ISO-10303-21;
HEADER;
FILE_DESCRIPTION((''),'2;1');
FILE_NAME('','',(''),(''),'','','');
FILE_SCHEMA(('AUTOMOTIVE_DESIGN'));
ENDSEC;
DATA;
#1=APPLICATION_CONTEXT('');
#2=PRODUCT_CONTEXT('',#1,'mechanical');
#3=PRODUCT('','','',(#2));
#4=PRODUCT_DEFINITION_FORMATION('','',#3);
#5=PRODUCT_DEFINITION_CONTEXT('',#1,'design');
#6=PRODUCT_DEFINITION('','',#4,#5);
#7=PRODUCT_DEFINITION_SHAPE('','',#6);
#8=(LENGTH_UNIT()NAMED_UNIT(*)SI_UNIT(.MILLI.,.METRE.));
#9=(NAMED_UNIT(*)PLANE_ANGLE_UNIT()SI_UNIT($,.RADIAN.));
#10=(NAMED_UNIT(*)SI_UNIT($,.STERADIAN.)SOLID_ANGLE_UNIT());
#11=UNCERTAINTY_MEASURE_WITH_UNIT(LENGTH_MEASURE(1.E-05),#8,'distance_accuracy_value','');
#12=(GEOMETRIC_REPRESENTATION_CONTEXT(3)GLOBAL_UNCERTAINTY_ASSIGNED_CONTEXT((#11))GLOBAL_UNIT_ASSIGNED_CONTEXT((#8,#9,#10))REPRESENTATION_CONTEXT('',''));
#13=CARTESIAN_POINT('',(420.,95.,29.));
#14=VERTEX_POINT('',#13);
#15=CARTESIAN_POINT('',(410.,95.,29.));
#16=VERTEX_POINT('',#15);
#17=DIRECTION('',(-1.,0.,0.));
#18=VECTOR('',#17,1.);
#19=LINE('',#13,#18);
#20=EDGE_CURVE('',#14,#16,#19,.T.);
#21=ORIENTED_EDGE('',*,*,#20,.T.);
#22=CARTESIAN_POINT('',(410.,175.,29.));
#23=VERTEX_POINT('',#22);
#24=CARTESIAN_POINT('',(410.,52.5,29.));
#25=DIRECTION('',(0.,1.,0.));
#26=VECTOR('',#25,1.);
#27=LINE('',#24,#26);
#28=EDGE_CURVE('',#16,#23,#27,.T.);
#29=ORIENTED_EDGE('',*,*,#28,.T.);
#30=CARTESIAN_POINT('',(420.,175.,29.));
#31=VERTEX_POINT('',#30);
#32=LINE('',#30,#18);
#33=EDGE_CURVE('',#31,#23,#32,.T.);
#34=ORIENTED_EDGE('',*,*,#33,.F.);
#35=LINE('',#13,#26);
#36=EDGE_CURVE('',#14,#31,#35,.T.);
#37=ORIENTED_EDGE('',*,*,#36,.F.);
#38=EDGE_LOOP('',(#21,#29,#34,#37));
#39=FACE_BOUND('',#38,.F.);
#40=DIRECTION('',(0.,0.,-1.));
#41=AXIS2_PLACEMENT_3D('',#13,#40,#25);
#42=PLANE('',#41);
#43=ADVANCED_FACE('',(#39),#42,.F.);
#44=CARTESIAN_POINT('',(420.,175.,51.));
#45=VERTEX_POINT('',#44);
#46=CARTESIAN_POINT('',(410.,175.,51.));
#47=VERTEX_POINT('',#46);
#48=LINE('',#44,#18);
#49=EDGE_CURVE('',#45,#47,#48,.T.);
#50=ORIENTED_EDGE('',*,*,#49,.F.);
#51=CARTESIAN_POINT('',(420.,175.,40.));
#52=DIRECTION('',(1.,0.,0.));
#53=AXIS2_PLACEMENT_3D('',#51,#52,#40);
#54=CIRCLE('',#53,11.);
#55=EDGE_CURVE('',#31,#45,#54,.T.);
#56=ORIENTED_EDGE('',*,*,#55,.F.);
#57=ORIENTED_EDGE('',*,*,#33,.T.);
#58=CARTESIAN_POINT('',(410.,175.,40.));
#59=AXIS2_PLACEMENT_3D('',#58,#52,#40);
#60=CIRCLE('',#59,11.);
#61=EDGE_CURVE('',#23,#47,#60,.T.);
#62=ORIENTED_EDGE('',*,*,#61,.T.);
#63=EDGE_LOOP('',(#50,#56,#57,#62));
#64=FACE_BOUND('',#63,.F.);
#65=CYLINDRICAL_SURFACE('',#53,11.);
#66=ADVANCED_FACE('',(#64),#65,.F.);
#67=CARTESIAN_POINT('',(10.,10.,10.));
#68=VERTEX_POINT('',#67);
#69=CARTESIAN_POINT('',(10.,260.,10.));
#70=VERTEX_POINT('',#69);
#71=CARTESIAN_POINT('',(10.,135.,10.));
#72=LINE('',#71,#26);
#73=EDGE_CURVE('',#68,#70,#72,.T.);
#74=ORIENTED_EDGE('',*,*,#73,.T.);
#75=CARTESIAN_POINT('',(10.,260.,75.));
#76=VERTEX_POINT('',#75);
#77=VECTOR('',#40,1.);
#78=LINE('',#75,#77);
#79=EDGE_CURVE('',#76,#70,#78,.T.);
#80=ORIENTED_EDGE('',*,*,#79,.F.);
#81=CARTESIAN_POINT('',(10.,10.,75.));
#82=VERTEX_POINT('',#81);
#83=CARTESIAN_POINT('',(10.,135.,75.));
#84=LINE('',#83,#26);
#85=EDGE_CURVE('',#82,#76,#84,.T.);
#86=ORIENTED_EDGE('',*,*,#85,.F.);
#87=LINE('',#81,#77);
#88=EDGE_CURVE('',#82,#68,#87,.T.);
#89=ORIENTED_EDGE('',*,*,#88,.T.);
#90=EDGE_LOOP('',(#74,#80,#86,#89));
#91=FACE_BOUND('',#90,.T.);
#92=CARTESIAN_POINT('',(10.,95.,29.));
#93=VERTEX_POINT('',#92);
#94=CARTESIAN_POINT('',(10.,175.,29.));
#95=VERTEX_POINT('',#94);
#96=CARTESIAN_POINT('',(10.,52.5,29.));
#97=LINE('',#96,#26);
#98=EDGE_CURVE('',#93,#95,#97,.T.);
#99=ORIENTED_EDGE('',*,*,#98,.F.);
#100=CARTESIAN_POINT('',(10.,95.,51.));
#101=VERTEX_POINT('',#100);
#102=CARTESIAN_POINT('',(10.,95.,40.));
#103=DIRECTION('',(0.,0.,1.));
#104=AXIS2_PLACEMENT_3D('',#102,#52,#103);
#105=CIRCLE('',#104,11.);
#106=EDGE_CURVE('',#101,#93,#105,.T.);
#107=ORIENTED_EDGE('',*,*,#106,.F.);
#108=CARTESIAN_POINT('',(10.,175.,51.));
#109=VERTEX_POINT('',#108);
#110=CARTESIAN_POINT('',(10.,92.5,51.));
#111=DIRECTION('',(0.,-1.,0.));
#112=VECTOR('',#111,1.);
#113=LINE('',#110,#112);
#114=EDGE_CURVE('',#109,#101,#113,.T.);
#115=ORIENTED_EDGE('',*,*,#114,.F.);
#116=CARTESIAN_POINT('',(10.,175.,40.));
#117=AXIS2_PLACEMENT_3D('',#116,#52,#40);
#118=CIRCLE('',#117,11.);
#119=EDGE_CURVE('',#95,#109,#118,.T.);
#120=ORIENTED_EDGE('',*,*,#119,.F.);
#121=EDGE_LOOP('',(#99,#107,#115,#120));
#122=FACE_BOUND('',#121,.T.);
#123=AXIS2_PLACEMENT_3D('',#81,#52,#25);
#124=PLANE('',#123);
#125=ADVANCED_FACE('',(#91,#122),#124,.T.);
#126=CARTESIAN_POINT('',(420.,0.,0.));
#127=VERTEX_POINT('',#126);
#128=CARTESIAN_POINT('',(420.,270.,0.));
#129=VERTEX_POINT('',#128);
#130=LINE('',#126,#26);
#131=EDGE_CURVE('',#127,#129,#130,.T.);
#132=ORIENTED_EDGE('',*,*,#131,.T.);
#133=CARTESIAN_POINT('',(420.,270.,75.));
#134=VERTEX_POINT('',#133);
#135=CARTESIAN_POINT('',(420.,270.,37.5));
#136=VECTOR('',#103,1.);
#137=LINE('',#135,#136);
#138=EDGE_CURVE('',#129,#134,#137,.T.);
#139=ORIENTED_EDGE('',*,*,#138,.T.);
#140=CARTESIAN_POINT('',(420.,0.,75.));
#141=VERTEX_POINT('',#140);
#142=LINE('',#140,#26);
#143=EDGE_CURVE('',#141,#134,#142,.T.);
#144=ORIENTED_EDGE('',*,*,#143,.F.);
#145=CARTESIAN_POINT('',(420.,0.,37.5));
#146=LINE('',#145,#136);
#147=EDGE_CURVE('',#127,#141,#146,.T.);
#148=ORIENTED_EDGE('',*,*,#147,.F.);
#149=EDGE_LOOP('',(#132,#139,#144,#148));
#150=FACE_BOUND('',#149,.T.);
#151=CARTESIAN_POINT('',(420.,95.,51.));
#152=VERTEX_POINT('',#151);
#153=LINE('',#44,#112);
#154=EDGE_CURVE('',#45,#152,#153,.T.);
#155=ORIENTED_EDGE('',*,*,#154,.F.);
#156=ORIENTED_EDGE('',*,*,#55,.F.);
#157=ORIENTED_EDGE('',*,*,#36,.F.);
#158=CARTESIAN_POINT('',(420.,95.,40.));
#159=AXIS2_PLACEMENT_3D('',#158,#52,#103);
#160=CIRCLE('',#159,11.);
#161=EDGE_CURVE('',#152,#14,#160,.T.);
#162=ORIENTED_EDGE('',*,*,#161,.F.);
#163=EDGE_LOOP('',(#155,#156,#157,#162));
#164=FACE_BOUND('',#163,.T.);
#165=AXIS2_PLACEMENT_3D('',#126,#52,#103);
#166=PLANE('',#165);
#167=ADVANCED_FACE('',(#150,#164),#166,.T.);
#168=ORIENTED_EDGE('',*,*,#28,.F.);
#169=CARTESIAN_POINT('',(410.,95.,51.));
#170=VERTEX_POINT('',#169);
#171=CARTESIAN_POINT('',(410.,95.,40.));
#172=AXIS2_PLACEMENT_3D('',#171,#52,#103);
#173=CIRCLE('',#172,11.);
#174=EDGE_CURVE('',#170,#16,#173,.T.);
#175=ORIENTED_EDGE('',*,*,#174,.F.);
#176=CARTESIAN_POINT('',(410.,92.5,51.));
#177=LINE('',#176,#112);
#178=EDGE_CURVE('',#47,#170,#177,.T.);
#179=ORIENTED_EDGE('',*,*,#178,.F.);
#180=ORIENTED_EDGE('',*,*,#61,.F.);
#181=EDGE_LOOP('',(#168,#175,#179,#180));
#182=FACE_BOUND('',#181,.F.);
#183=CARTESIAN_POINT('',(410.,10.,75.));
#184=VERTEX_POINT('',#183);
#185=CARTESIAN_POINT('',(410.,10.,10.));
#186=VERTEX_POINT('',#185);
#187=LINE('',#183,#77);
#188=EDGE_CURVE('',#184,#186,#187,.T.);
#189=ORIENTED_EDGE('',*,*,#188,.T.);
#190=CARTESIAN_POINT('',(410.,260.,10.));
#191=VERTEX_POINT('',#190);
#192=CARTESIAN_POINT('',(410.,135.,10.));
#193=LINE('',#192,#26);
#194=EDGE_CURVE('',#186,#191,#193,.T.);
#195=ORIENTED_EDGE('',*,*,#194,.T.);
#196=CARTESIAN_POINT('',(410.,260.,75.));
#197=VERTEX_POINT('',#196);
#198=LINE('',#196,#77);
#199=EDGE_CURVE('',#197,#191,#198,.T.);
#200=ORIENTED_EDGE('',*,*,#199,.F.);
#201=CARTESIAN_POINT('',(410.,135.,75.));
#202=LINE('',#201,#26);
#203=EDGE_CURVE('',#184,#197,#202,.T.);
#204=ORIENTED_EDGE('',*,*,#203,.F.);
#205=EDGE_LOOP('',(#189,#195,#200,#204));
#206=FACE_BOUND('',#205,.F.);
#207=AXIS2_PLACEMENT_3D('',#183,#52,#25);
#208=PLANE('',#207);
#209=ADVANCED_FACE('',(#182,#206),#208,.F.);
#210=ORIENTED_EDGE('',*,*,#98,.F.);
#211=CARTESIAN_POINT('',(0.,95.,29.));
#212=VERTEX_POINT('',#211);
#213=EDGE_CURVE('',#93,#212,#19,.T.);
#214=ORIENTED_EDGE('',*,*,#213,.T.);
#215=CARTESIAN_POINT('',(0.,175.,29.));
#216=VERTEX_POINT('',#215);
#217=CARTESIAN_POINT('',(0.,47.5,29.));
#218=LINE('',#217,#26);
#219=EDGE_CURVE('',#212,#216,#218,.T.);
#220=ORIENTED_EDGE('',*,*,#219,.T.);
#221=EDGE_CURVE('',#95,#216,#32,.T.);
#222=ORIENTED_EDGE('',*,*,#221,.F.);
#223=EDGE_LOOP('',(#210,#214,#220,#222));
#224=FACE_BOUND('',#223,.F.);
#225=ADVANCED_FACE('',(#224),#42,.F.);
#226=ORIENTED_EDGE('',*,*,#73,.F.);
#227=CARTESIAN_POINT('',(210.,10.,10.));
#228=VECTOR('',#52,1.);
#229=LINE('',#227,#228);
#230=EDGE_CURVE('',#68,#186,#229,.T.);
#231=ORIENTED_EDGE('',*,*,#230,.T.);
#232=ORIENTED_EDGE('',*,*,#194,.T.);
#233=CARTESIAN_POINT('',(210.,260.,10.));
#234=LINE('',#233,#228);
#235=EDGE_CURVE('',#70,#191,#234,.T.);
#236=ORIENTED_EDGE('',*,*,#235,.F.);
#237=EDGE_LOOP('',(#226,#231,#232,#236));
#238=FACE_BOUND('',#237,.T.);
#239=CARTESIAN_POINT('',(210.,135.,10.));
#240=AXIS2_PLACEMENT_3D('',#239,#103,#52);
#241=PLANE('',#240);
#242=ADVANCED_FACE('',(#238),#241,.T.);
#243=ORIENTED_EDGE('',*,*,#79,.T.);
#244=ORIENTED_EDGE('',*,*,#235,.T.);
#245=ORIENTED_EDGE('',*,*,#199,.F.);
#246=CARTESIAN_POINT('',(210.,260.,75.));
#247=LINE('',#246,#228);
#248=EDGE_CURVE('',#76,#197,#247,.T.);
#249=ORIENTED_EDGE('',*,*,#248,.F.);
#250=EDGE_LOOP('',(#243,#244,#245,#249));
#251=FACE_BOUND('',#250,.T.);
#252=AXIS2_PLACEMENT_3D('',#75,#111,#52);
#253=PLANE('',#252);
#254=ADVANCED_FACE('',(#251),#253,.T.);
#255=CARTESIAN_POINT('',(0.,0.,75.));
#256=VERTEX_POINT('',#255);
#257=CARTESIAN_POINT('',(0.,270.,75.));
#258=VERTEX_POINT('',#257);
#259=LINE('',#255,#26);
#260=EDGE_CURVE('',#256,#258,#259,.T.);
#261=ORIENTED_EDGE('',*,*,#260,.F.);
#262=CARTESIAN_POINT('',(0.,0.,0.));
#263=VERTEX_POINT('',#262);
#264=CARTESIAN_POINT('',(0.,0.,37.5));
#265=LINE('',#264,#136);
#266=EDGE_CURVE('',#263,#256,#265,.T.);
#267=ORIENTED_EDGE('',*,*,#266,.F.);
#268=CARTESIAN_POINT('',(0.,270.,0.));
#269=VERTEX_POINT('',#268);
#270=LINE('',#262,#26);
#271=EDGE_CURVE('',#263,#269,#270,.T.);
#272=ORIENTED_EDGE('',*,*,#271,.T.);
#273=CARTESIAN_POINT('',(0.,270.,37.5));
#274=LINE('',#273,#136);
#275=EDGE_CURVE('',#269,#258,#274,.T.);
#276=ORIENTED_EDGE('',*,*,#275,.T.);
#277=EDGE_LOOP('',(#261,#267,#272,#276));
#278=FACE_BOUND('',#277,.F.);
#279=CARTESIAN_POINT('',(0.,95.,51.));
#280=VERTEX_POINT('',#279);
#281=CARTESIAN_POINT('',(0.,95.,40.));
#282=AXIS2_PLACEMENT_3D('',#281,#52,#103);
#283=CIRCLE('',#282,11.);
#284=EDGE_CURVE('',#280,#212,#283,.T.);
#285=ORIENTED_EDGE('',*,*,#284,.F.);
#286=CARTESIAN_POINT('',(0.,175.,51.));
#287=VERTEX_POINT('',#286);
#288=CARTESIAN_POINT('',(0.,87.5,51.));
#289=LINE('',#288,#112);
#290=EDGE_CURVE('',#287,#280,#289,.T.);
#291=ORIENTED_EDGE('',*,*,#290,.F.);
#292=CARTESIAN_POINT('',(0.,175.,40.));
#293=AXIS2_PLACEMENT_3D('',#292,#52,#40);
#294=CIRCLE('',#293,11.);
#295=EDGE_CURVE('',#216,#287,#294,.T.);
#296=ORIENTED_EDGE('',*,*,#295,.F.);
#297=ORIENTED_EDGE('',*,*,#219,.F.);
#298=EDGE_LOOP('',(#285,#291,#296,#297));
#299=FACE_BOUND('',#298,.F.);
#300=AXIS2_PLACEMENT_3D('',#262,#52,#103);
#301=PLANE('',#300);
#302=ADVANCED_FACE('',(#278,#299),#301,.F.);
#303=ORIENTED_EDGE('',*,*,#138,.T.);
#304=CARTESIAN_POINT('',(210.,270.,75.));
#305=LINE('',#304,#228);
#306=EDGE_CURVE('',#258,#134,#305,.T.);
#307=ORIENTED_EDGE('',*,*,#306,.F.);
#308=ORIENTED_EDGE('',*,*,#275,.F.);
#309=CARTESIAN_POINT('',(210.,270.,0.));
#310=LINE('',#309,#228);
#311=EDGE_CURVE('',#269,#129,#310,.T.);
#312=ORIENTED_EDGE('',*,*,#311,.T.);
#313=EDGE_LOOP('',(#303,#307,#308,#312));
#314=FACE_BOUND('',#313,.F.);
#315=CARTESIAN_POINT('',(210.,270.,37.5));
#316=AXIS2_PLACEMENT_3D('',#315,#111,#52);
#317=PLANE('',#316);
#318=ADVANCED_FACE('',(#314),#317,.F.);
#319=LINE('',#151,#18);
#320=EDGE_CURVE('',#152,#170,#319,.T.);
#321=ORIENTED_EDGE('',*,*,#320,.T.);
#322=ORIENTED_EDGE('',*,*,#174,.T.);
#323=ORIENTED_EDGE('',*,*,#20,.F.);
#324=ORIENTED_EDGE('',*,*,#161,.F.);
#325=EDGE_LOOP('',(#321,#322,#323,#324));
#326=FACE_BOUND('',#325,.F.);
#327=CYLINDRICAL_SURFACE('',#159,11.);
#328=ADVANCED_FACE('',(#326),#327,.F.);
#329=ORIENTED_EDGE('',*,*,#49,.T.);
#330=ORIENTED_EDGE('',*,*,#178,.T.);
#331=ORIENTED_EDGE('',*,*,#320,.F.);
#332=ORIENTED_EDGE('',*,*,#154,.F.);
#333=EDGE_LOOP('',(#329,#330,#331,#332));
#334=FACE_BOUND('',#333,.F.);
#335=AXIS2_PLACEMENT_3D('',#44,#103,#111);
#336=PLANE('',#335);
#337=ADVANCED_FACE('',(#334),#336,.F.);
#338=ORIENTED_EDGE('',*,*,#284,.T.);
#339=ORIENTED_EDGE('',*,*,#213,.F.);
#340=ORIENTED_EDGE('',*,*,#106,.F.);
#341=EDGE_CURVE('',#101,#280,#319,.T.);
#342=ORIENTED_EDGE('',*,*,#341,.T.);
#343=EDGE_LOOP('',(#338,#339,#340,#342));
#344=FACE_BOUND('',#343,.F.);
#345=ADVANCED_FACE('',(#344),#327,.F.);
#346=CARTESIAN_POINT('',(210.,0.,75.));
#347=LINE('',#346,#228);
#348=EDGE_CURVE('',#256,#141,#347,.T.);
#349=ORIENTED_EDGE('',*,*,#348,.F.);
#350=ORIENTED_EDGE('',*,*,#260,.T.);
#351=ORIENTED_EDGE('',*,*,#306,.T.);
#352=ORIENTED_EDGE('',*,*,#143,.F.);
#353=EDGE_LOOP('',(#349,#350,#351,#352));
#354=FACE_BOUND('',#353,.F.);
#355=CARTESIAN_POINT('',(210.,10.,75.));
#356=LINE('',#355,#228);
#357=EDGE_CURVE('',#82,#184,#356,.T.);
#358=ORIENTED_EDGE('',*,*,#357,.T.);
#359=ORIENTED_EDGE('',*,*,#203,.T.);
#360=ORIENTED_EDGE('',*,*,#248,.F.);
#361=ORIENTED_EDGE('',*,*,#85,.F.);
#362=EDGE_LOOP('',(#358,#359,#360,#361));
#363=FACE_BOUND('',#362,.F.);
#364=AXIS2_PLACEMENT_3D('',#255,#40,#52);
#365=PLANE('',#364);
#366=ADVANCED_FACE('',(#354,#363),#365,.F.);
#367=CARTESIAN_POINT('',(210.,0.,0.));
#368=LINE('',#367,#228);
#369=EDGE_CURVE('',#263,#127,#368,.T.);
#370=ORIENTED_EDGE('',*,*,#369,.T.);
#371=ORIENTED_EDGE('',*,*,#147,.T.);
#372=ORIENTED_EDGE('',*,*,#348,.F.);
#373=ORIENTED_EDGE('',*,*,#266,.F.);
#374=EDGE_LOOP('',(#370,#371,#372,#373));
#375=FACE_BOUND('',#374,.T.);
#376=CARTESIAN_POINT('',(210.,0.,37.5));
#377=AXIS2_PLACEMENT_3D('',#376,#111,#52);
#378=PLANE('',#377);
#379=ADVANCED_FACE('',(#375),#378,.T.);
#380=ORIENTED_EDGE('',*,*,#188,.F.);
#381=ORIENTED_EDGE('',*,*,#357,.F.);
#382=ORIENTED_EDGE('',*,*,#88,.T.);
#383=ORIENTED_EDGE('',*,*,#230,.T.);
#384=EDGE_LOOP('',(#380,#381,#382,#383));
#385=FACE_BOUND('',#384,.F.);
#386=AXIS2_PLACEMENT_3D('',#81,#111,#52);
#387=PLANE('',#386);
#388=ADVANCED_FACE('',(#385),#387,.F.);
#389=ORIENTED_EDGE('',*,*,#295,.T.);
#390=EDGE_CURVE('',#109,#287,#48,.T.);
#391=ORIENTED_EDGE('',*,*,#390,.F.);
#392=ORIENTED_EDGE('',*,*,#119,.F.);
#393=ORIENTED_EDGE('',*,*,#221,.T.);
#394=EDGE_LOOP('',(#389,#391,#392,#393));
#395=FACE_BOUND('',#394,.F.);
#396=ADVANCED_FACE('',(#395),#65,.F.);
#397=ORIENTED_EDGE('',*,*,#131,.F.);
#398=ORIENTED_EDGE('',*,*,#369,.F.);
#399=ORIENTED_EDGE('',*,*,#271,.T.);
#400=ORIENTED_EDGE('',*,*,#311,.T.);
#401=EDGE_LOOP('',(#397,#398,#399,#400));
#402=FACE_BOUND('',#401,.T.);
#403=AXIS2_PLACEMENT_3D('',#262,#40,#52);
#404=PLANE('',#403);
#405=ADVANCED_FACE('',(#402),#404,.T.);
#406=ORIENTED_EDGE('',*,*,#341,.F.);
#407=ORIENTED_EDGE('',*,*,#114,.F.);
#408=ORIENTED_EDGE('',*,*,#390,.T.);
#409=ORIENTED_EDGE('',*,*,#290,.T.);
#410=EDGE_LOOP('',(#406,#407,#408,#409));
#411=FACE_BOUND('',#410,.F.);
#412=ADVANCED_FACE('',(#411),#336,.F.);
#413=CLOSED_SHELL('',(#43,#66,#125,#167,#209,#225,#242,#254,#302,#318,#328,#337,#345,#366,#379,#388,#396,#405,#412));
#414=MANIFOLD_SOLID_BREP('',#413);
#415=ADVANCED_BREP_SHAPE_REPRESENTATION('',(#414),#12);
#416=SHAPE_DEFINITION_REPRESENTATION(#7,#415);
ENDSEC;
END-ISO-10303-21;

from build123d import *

# Parameters (mm, degrees)
F0_W     = 420
F0_H     = 75
F1_DEPTH = 270
F2_W     = 400
F2_H     = 250
F3_DEPTH = 65
F5_DEPTH = 420.001


with BuildPart() as f1:
    # F0 (on Front) → F1 (new body)
    with BuildSketch(Plane.XZ):
        with Locations((210, 37.5)):
            Rectangle(F0_W, F0_H)
    extrude(amount=-F1_DEPTH)

    # F2 (on face) → F3 (cut)
    with BuildSketch(Plane.XY.offset(75)):
        with Locations((210, 135)):
            Rectangle(F2_W, F2_H)
    extrude(amount=-F3_DEPTH, mode=Mode.SUBTRACT)

    # F4 (on face) → F5 (cut, through all)
    with BuildSketch(Plane.YZ.offset(420)):
        with BuildLine():
            Line((175, 51), (95, 51))
            ThreePointArc((95, 51), (84, 40), (95, 29))
            Line((95, 29), (175, 29))
            ThreePointArc((175, 29), (186, 40), (175, 51))
        make_face()
    extrude(amount=-F5_DEPTH, mode=Mode.SUBTRACT)


solid = f1.part
